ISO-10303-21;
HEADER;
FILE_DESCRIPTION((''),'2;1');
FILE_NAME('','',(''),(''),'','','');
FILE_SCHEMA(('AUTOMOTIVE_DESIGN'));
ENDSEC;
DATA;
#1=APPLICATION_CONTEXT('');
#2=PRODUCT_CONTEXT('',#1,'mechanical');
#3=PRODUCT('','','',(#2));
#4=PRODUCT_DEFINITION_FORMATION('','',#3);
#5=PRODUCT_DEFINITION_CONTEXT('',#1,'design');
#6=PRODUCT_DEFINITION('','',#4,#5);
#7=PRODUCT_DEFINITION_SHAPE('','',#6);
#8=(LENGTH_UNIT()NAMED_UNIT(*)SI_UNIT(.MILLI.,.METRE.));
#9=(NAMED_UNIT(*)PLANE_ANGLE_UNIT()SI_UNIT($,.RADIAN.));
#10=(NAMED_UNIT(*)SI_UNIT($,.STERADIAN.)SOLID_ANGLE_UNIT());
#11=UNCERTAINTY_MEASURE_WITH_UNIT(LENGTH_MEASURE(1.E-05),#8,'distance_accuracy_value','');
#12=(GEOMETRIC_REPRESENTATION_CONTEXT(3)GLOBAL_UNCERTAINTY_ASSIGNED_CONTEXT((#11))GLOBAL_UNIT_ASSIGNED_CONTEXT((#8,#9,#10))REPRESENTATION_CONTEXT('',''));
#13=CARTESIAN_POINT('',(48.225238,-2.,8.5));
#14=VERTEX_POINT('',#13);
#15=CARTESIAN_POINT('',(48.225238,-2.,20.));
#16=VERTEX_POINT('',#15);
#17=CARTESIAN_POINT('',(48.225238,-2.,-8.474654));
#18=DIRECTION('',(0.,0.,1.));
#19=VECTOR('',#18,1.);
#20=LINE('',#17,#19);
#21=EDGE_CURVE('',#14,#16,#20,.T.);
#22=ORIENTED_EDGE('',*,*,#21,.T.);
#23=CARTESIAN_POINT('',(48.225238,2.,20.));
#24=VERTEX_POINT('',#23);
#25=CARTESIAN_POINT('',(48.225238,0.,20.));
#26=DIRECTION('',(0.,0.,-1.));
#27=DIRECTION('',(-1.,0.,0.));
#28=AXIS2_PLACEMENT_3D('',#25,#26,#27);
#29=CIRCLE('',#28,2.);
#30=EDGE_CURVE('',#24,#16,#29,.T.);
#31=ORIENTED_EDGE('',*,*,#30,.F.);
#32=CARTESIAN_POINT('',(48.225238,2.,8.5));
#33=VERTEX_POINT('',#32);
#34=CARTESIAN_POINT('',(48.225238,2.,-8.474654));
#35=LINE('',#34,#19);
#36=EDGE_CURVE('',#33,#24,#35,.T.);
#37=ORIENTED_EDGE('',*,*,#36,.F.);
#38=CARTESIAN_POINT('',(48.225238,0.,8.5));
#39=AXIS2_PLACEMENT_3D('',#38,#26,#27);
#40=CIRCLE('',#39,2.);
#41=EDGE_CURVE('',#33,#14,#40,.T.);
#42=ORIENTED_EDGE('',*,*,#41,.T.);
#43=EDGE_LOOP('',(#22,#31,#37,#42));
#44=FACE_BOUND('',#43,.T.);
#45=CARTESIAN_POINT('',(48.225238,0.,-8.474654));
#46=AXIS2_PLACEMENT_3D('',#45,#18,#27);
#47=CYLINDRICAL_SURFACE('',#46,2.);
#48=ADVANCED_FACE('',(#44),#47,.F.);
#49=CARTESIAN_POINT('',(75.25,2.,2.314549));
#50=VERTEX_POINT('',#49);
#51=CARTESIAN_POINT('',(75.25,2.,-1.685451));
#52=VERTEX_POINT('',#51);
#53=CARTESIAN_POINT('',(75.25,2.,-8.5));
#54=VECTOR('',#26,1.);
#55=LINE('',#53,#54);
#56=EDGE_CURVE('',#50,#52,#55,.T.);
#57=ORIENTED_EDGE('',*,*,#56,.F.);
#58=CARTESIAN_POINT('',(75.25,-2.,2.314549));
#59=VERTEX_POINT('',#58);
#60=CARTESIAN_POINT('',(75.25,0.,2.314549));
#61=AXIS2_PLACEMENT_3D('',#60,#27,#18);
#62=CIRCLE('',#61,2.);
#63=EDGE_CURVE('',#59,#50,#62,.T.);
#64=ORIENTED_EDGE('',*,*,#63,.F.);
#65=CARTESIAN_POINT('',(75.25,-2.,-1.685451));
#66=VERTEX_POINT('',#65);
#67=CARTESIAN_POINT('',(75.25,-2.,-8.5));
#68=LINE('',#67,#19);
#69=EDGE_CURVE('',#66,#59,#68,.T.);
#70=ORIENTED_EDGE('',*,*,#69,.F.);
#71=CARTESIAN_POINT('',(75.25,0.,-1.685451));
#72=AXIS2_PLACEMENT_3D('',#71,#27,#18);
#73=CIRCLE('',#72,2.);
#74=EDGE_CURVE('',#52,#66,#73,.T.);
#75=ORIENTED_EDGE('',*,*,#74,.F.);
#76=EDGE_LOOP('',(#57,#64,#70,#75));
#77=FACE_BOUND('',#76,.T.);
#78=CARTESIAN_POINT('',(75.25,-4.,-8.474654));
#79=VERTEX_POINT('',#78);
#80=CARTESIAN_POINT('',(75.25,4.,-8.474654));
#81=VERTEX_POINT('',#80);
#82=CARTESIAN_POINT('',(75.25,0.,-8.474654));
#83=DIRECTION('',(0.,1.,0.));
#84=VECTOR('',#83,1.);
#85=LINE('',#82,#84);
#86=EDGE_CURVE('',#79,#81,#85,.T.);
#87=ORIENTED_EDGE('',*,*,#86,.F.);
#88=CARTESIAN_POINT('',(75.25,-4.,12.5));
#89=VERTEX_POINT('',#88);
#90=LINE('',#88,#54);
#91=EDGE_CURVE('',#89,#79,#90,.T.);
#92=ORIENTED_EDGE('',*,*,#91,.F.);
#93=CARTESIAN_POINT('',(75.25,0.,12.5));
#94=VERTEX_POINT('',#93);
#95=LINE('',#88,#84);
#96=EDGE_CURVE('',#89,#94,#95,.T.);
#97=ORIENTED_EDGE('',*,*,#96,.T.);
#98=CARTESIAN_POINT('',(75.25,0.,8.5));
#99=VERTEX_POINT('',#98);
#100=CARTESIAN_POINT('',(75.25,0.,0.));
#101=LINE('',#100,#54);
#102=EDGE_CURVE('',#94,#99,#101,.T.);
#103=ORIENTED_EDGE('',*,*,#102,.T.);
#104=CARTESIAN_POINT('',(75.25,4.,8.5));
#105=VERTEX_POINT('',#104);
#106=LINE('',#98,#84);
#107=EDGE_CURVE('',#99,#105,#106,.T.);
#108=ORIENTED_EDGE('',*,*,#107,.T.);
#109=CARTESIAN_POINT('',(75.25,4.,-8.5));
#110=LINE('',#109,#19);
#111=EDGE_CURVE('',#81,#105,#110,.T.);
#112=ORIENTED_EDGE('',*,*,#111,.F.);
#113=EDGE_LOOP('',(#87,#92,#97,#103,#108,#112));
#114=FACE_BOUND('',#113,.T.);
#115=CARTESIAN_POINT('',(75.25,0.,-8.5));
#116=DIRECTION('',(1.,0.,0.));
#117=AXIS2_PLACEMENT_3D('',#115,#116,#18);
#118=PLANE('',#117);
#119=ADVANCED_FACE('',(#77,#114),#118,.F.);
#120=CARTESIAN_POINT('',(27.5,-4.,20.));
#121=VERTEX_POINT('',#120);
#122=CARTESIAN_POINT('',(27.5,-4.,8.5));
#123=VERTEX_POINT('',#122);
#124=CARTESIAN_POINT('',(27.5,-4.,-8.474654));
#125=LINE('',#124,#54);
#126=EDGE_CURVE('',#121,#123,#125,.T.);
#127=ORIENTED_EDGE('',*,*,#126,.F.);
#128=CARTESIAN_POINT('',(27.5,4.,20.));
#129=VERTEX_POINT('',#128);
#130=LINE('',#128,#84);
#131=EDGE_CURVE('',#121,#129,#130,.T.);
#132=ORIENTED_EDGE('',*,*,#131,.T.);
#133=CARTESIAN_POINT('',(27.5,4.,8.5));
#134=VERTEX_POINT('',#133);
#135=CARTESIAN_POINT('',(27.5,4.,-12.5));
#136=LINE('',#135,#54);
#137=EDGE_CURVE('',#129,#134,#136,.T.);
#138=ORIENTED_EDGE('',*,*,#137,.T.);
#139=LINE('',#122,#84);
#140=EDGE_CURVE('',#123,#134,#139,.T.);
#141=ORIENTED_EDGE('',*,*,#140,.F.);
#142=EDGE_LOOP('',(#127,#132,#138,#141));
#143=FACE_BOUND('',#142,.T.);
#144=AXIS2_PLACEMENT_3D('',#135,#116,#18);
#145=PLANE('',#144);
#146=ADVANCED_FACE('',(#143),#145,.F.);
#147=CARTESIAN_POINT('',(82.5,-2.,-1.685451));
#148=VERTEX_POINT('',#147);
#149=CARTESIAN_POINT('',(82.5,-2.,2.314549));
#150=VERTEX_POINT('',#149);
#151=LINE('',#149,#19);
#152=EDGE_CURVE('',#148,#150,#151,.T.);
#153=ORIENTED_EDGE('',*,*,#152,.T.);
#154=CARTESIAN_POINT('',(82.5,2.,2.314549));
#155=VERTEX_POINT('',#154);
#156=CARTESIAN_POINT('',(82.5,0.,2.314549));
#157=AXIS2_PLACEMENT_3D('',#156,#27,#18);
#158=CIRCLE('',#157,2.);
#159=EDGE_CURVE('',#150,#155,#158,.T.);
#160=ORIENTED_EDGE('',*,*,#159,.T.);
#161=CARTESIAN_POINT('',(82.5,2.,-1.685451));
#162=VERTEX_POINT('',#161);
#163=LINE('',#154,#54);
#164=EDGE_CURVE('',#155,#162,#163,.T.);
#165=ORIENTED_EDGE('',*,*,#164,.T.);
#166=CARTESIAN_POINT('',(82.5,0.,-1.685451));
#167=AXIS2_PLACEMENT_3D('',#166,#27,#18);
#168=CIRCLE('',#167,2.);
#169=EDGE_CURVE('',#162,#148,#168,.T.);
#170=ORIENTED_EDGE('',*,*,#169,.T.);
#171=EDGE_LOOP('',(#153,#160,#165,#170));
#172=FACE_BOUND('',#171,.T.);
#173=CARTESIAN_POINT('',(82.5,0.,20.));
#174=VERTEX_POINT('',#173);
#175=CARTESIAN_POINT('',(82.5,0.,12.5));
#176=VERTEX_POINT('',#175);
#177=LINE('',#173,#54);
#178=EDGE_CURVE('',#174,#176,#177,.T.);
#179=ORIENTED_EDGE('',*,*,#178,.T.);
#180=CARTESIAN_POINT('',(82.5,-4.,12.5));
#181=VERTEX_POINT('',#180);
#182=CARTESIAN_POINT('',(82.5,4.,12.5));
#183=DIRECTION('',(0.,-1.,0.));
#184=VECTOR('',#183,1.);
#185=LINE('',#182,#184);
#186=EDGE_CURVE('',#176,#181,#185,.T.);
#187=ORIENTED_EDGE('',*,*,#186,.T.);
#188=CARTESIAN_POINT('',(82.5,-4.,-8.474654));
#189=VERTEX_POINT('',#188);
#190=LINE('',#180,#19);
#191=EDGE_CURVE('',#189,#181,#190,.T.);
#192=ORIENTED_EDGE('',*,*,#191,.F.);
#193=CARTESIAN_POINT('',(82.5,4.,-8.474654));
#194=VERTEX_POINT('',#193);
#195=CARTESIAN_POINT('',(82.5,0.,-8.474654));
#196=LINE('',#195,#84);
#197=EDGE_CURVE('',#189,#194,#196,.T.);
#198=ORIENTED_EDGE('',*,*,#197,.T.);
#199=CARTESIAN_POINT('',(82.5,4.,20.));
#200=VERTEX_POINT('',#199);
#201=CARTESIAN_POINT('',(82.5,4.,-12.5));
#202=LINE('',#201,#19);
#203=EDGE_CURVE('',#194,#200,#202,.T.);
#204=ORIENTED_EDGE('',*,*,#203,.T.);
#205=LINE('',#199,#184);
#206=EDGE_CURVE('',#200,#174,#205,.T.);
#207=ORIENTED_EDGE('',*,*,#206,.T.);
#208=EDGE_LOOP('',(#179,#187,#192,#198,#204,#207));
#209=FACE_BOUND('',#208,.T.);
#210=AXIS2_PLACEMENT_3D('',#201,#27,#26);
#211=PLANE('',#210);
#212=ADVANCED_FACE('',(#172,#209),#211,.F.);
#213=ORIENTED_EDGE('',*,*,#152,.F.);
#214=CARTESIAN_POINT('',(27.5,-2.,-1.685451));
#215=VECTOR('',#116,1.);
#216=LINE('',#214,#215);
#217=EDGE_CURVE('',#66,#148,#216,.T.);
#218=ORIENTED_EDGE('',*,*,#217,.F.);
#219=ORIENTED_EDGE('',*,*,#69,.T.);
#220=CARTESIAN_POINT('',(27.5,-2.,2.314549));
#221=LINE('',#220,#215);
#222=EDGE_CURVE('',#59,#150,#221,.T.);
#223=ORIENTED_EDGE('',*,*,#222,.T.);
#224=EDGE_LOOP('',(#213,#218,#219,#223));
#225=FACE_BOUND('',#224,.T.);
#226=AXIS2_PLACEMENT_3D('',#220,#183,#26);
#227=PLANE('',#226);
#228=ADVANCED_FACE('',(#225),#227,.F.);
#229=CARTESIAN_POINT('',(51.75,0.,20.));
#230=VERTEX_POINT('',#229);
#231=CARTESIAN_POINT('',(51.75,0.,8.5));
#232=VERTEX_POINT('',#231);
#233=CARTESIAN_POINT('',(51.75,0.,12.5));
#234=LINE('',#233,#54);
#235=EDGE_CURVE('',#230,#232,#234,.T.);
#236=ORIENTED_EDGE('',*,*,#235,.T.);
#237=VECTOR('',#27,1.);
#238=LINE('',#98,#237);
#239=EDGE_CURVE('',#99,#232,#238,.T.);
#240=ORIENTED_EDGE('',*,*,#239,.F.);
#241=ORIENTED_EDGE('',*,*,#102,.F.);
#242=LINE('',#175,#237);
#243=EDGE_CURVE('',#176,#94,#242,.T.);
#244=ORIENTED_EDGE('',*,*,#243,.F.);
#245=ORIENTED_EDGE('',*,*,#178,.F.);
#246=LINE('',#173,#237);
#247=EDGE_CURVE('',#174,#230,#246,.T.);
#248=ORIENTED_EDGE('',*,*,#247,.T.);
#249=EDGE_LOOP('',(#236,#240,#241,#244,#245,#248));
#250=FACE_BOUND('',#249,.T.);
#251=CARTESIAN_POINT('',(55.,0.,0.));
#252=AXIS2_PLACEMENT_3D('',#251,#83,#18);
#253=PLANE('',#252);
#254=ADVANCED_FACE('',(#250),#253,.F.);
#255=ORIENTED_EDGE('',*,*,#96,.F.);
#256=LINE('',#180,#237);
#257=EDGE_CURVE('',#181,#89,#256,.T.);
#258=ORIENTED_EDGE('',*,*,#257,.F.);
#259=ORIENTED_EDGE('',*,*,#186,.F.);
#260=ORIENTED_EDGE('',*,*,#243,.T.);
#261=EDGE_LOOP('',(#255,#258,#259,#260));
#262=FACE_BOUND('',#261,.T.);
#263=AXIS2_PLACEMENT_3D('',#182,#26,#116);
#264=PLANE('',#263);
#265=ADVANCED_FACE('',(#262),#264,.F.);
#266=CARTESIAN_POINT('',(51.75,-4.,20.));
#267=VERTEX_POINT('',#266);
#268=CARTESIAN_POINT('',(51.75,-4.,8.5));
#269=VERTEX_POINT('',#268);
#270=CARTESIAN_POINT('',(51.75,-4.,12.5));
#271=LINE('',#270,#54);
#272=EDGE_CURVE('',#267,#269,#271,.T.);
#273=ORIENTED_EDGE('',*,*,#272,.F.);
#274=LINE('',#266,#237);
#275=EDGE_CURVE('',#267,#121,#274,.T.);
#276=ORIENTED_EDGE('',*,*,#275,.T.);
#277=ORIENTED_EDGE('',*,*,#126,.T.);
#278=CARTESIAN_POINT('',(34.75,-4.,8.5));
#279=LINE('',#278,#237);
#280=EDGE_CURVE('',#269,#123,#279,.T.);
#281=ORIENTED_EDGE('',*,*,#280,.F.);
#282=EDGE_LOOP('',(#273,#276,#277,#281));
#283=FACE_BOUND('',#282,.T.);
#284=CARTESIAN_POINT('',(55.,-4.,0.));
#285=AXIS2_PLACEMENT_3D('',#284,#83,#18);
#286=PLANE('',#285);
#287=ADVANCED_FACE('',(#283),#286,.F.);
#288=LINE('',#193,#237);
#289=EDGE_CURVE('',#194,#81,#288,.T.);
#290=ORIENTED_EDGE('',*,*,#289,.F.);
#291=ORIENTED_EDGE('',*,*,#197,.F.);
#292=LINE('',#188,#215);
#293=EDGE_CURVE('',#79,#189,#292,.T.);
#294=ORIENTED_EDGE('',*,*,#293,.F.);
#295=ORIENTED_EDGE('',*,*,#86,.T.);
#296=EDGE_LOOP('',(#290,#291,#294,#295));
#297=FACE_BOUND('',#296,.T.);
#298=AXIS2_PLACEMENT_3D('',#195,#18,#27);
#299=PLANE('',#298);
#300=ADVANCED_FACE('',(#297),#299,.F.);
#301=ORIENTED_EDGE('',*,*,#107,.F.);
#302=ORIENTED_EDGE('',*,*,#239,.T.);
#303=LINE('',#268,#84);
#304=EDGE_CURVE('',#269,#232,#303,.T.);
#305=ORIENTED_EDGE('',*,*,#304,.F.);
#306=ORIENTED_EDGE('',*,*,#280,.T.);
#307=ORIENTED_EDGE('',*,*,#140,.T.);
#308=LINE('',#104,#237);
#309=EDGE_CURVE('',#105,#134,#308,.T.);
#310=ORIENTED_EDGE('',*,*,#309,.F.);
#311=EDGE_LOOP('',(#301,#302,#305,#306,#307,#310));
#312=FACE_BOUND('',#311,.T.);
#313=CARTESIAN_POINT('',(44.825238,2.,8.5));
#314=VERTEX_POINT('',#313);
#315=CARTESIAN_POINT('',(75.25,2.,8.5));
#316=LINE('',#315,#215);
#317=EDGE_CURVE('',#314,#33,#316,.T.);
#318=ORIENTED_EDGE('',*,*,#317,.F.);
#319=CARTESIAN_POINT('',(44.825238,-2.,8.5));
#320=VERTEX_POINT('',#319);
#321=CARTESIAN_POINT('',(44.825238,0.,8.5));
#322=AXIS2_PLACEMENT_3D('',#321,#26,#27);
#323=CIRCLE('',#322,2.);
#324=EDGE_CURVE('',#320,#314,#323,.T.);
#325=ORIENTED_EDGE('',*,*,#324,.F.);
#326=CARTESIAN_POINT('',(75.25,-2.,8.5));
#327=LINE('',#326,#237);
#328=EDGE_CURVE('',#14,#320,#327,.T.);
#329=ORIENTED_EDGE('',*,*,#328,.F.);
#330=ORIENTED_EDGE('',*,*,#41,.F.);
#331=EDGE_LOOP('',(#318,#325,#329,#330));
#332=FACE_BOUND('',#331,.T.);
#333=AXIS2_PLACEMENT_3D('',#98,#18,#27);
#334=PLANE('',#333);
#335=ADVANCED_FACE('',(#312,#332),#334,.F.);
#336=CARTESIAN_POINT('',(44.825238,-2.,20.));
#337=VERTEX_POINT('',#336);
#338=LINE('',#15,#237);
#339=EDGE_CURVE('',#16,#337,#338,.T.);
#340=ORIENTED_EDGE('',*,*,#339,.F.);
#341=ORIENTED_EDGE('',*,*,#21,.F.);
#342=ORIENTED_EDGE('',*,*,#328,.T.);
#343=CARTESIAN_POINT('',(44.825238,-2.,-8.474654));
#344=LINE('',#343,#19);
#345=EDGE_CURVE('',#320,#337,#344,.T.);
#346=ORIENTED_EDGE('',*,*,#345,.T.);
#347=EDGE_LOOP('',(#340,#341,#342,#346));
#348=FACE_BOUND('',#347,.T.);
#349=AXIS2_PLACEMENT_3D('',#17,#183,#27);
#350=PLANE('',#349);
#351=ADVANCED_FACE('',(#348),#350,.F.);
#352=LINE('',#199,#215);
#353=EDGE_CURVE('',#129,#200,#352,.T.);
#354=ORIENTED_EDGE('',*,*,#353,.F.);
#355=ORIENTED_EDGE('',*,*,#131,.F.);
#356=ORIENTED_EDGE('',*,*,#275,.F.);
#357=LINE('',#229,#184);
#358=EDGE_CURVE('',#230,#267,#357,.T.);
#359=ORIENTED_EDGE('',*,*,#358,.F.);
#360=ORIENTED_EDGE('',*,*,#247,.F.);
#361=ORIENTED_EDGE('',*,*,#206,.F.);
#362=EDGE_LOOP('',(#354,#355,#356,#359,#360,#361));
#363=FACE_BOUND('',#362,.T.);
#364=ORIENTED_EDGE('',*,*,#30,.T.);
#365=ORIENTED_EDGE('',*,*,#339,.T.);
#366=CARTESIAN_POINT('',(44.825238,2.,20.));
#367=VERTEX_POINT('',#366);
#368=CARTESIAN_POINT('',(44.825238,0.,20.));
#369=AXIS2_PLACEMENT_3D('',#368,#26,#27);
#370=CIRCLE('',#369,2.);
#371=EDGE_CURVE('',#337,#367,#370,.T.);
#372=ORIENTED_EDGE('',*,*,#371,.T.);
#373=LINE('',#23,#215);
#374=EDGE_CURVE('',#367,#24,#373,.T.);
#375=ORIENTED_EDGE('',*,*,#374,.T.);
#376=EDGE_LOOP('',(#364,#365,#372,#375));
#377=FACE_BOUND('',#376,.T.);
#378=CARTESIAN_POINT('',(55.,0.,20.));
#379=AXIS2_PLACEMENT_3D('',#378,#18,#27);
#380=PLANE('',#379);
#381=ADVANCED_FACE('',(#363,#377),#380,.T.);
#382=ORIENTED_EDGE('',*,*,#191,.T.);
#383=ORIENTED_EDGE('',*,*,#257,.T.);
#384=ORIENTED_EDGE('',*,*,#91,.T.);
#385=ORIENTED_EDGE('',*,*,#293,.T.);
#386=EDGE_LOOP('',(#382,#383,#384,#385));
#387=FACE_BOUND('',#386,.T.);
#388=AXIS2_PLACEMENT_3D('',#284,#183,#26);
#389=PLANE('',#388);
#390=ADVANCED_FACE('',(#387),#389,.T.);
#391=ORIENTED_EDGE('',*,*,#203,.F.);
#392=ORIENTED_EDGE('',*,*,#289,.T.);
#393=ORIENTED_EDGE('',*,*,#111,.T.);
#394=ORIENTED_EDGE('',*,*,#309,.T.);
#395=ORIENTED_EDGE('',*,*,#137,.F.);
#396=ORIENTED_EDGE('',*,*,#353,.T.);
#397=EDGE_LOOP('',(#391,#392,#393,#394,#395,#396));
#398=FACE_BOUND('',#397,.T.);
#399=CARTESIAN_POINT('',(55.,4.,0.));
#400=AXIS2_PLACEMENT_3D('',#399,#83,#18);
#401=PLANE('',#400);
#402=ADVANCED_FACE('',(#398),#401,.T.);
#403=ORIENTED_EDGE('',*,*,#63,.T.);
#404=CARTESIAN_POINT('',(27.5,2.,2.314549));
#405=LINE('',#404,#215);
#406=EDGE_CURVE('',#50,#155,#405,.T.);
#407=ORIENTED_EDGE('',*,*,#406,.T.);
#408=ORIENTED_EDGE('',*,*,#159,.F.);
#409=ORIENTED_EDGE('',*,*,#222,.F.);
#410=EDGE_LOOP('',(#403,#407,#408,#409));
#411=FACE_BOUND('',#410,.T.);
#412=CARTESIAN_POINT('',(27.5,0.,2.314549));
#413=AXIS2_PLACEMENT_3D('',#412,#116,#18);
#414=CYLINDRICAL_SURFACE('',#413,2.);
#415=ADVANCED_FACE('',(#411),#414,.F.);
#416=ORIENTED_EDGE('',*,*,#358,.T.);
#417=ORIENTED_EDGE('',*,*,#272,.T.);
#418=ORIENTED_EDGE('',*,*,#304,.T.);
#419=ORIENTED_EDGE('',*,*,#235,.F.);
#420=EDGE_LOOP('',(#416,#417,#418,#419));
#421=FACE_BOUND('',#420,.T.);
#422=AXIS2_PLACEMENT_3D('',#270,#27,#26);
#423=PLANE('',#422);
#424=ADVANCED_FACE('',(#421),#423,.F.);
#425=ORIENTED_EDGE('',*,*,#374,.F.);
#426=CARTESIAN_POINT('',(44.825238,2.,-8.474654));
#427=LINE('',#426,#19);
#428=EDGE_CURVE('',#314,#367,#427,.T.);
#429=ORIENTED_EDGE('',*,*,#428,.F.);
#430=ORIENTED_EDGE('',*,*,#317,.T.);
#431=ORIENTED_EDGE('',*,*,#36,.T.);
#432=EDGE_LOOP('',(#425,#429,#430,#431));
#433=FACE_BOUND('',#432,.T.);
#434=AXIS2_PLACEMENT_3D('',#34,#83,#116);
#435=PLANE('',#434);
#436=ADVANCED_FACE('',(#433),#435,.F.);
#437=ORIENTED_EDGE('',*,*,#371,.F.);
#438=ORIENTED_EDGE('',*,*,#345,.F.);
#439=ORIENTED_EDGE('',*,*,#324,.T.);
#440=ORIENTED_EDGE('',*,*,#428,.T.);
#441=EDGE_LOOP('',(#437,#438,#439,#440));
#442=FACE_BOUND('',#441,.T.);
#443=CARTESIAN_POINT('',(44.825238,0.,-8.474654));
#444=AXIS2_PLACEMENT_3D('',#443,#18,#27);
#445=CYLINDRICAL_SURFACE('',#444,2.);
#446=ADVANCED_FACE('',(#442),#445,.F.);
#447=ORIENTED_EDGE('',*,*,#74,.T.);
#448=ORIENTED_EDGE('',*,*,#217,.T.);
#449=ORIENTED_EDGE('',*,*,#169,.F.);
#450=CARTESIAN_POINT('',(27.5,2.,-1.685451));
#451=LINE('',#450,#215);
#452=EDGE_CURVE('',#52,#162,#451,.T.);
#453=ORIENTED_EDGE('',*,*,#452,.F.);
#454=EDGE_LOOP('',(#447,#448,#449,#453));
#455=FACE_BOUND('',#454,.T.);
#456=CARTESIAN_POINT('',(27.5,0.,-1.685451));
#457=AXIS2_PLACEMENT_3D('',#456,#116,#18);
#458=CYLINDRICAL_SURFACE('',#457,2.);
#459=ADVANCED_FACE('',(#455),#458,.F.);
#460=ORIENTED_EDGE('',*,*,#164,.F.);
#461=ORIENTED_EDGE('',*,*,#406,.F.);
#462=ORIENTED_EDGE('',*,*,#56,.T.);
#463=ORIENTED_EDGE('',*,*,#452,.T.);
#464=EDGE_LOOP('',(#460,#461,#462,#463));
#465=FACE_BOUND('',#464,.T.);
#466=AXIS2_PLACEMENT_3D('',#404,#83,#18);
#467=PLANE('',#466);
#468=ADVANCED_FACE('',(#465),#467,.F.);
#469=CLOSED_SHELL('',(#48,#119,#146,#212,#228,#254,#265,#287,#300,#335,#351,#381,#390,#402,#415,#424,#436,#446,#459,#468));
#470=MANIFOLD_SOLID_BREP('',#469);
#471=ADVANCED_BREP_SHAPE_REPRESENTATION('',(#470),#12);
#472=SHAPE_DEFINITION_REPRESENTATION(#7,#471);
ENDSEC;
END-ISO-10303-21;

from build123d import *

# Parameters (mm, degrees)
SKETCH1_W                = 55
SKETCH1_H                = 25
BOSS_EXTRUDE1_DEPTH      = 4
SKETCH5_W                = 40.5
SKETCH5_H                = 17
CUT_EXTRUDE2_DEPTH       = 5
SKETCH6_W                = 55
SKETCH6_H                = 4.025345596
CUT_EXTRUDE3_DEPTH       = 5
SKETCH13_W               = 7.25
SKETCH13_H               = 20.974654404
BOSS_EXTRUDE3_DEPTH      = 8
SKETCH16_W               = 7.25
SKETCH16_H               = 20.974654404
BOSS_EXTRUDE4_DEPTH      = 8
SKETCH19_W               = 17
SKETCH19_H               = 4
BOSS_EXTRUDE5_DEPTH      = 4
SKETCH30_W               = 55
SKETCH30_H               = 4
BOSS_EXTRUDE6_DEPTH      = 7.5
SKETCH31_W               = 24.25
SKETCH31_H               = 4
BOSS_EXTRUDE7_DEPTH      = 7.5
SKETCH21_W               = 7.25
SKETCH21_H               = 16.974654404
CUT_EXTRUDE7_DEPTH       = 9
CUT_EXTRUDE9_DEPTH       = 56
CUT_EXTRUDE14_DEPTH      = 8.5
CUT_EXTRUDE14_DEPTH_BACK = 21.974654404


with BuildPart() as part:
    # Sketch1 → Boss-Extrude1 (new body)
    with BuildSketch(Plane(origin=(0, 0, 0), x_dir=(1, 0, 0), z_dir=(0, 1, 0))):
        Rectangle(SKETCH1_W, SKETCH1_H)
    extrude(amount=BOSS_EXTRUDE1_DEPTH)

    # Sketch5 → Cut-Extrude2 (cut, through all)
    with BuildSketch(Plane(origin=(0, 4, 0), x_dir=(1, 0, 0), z_dir=(0, 1, 0))):
        Rectangle(SKETCH5_W, SKETCH5_H)
    extrude(amount=-CUT_EXTRUDE2_DEPTH, mode=Mode.SUBTRACT)

    # Sketch6 → Cut-Extrude3 (cut, through all)
    with BuildSketch(Plane(origin=(0, 4, 0), x_dir=(1, 0, 0), z_dir=(0, 1, 0))):
        with Locations((0, 10.487327202)):
            Rectangle(SKETCH6_W, SKETCH6_H)
    extrude(amount=-CUT_EXTRUDE3_DEPTH, mode=Mode.SUBTRACT)

    # Sketch13 → Boss-Extrude3 (add)
    with BuildSketch(Plane(origin=(0, 4, 0), x_dir=(1, 0, 0), z_dir=(0, 1, 0))):
        with Locations((23.875, -2.012672798)):
            Rectangle(SKETCH13_W, SKETCH13_H)
    extrude(amount=-BOSS_EXTRUDE3_DEPTH)

    # Sketch16 → Boss-Extrude4 (add)
    with BuildSketch(Plane(origin=(0, 4, 0), x_dir=(1, 0, 0), z_dir=(0, 1, 0))):
        with Locations((-23.875, -2.012672798)):
            Rectangle(SKETCH16_W, SKETCH16_H)
    extrude(amount=-BOSS_EXTRUDE4_DEPTH)

    # Sketch19 → Boss-Extrude5 (add)
    with BuildSketch(Plane.XZ):
        with Locations((11.75, 10.5)):
            Rectangle(SKETCH19_W, SKETCH19_H)
    extrude(amount=BOSS_EXTRUDE5_DEPTH)

    # Sketch30 → Boss-Extrude6 (add)
    with BuildSketch(Plane.XY.offset(12.5)):
        with Locations((0, 2)):
            Rectangle(SKETCH30_W, SKETCH30_H)
    extrude(amount=BOSS_EXTRUDE6_DEPTH)

    # Sketch31 → Boss-Extrude7 (add)
    with BuildSketch(Plane.XY.offset(12.5)):
        with Locations((15.375, -2)):
            Rectangle(SKETCH31_W, SKETCH31_H)
    extrude(amount=BOSS_EXTRUDE7_DEPTH)

    # Sketch21 → Cut-Extrude7 (cut, through all)
    with BuildSketch(Plane(origin=(0, 4, 0), x_dir=(1, 0, 0), z_dir=(0, 1, 0))):
        with Locations((23.875, -0.012672798)):
            Rectangle(SKETCH21_W, SKETCH21_H)
    extrude(amount=-CUT_EXTRUDE7_DEPTH, mode=Mode.SUBTRACT)

    # Sketch25 → Cut-Extrude9 (cut, through all)
    with BuildSketch(Plane.ZY.offset(27.5)):
        with BuildLine():
            Line((2.314549123, -2), (-1.685450877, -2))
            ThreePointArc((-1.685450877, -2), (-3.685450877, 0), (-1.685450877, 2))
            Line((-1.685450877, 2), (2.314549123, 2))
            ThreePointArc((2.314549123, 2), (4.314549123, 0), (2.314549123, -2))
        make_face()
    extrude(amount=-CUT_EXTRUDE9_DEPTH, mode=Mode.SUBTRACT)

    # Sketch29 → Cut-Extrude14 (cut, two sides)
    with BuildSketch(Plane.XY.offset(12.5)) as cut_extrude14_sk:
        with BuildLine():
            Line((6.774762471, 2), (10.174762471, 2))
            ThreePointArc((10.174762471, 2), (12.174762471, 0), (10.174762471, -2))
            Line((10.174762471, -2), (6.774762471, -2))
            ThreePointArc((6.774762471, -2), (4.774762471, 0), (6.774762471, 2))
        make_face()
    extrude(amount=CUT_EXTRUDE14_DEPTH, mode=Mode.SUBTRACT)
    extrude(cut_extrude14_sk.sketch, amount=-CUT_EXTRUDE14_DEPTH_BACK, mode=Mode.SUBTRACT)


with BuildPart() as body_2:
    # Mirror1: mirrored copy
    add(part.part.mirror(Plane(origin=(27.5, 0, 14.25), x_dir=(0, 0, 1), z_dir=(1, 0, 0))))


solid = body_2.part
